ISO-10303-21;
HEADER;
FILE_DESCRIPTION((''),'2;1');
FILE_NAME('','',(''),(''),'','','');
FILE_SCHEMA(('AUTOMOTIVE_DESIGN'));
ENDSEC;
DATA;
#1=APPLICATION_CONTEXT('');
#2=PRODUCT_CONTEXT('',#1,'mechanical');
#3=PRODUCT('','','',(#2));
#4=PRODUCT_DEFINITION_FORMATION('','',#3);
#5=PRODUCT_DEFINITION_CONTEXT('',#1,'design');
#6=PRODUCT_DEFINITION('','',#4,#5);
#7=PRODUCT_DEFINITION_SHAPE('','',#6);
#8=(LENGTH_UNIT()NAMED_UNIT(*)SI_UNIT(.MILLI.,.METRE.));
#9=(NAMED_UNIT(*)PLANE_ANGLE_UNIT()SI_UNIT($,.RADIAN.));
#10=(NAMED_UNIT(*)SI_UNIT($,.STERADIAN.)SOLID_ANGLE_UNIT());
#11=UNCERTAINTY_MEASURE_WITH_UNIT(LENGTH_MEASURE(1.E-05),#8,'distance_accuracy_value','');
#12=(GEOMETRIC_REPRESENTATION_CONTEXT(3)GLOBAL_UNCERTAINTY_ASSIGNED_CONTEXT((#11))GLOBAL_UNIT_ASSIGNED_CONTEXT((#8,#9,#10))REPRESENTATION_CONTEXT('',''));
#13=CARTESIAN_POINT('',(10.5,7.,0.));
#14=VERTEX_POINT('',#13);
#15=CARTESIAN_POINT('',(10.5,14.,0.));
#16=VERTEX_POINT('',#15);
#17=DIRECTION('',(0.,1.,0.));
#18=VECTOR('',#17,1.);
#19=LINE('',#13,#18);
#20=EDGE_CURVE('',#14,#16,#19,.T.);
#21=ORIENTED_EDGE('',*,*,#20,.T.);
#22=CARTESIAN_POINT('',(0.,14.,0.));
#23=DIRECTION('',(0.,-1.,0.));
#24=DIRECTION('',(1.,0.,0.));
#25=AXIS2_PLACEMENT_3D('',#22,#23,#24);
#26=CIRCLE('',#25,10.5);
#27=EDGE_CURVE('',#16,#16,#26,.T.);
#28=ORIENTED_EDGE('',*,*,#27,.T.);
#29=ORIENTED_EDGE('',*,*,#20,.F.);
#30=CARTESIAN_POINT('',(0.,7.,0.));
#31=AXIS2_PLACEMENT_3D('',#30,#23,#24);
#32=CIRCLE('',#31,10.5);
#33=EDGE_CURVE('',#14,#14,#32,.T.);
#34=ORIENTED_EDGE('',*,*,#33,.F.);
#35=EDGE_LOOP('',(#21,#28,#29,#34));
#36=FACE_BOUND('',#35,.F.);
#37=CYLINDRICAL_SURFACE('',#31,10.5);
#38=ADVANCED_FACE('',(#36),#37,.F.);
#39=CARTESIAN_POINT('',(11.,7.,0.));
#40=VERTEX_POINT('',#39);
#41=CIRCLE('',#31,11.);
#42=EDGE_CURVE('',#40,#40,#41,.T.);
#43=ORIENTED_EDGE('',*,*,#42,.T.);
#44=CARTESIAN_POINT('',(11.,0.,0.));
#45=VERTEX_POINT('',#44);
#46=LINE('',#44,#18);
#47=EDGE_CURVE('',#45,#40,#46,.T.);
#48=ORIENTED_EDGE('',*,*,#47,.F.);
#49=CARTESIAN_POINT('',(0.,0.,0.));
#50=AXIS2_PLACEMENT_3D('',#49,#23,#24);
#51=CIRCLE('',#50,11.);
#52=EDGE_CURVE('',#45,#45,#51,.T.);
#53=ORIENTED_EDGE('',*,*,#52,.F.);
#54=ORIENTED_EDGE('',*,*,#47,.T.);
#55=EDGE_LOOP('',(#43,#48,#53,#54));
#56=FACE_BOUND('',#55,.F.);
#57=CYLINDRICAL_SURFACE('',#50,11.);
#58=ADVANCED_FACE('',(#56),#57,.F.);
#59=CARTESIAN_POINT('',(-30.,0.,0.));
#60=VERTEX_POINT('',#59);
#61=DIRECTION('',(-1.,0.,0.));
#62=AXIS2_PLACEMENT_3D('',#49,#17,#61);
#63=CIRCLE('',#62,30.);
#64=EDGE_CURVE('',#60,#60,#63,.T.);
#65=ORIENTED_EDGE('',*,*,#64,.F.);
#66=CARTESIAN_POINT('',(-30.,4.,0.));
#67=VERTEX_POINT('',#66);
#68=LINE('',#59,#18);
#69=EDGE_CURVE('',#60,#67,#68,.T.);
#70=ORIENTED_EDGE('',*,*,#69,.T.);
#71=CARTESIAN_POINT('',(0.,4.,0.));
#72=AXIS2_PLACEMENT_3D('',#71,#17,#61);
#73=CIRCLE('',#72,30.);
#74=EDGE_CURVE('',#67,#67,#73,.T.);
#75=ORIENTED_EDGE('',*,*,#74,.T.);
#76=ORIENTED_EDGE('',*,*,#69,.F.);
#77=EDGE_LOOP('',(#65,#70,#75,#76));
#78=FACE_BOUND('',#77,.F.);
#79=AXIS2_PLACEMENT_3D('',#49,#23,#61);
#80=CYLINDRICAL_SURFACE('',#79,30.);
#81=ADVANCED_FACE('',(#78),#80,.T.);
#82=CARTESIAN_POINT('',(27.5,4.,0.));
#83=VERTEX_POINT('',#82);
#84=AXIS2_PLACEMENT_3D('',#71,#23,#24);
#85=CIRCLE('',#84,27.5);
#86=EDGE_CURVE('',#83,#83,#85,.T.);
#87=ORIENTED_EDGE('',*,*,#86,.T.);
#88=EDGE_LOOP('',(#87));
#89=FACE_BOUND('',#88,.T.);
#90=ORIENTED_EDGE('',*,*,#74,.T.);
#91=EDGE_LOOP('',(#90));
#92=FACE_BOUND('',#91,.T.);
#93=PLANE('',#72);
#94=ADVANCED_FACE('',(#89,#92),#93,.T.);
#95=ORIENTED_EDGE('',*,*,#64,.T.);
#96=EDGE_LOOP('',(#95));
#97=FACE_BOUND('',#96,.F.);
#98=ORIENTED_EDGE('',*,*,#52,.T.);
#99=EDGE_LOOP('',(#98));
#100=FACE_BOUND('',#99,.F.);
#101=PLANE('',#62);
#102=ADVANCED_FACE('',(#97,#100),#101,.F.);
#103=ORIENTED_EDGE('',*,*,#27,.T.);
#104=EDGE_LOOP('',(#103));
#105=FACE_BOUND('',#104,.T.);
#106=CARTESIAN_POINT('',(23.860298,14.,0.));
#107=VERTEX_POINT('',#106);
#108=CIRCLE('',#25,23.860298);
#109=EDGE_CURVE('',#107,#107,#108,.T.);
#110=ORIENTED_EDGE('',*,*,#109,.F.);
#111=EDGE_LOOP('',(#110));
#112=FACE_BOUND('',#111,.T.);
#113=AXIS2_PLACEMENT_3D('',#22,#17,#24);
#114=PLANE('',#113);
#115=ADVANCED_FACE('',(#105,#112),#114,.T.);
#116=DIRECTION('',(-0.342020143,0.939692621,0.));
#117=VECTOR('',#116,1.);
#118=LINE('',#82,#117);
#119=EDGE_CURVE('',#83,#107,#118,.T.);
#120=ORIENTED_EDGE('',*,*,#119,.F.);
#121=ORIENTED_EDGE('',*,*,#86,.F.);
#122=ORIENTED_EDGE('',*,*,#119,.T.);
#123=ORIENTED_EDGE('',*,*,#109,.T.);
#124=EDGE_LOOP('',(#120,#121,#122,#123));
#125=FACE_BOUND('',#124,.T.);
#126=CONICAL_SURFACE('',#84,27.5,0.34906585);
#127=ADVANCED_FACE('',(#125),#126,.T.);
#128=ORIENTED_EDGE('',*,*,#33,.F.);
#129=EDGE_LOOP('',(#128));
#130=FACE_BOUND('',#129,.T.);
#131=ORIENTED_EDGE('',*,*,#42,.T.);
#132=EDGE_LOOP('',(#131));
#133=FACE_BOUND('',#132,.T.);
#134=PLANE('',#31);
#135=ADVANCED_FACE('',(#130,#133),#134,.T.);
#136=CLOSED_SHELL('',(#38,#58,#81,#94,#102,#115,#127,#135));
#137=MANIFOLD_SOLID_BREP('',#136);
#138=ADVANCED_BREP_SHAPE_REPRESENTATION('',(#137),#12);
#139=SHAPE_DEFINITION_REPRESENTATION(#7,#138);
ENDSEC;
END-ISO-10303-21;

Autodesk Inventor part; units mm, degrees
ref_plane "YZ Plane" through (0, 0, 0) normal (1, 0, 0) x (0, 1, 0)
ref_plane "XZ Plane" through (0, 0, 0) normal (0, 1, 0) x (-1, 0, 0)
ref_plane "XY Plane" through (0, 0, 0) normal (0, 0, 1) x (1, 0, 0)
sketch "Sketch1" plane through (0, 0, 0) normal (0, 1, 0) x (-1, 0, 0)
  circle A0 centre (0, 0) radius 30
  dimension "d0" = 60
extrude "Extrusion1" add sketch "Sketch1" along normal blind 4
sketch "Sketch2" plane through (0, 4, 0) normal (0, 1, 0) x (1, 0, 0)
  circle A0 centre (0, 0) radius 27.5
  dimension "d3" = 55
extrude "Extrusion2" add sketch "Sketch2" along normal blind 10 draft -20
sketch "Sketch3" plane through (0, 14, 0) normal (0, 1, 0) x (1, 0, 0)
  circle A0 centre (0, 0) radius 4
  dimension "d6" = 8
extrude "Extrusion3" cut sketch "Sketch3" against normal blind 16
sketch "Sketch4" plane through (0, 0, 0) normal (0, -1, 0) x (1, 0, 0)
  circle A0 centre (0, 0) radius 11
  dimension "d9" = 22
extrude "Extrusion4" cut sketch "Sketch4" against normal blind 7
sketch "Sketch5" plane through (0, 7, 0) normal (0, -1, 0) x (1, 0, 0)
  circle A0 centre (0, 0) radius 10.5
  dimension "d12" = 21
extrude "Extrusion5" cut sketch "Sketch5" against normal blind 17
properties part number "spool holder"
